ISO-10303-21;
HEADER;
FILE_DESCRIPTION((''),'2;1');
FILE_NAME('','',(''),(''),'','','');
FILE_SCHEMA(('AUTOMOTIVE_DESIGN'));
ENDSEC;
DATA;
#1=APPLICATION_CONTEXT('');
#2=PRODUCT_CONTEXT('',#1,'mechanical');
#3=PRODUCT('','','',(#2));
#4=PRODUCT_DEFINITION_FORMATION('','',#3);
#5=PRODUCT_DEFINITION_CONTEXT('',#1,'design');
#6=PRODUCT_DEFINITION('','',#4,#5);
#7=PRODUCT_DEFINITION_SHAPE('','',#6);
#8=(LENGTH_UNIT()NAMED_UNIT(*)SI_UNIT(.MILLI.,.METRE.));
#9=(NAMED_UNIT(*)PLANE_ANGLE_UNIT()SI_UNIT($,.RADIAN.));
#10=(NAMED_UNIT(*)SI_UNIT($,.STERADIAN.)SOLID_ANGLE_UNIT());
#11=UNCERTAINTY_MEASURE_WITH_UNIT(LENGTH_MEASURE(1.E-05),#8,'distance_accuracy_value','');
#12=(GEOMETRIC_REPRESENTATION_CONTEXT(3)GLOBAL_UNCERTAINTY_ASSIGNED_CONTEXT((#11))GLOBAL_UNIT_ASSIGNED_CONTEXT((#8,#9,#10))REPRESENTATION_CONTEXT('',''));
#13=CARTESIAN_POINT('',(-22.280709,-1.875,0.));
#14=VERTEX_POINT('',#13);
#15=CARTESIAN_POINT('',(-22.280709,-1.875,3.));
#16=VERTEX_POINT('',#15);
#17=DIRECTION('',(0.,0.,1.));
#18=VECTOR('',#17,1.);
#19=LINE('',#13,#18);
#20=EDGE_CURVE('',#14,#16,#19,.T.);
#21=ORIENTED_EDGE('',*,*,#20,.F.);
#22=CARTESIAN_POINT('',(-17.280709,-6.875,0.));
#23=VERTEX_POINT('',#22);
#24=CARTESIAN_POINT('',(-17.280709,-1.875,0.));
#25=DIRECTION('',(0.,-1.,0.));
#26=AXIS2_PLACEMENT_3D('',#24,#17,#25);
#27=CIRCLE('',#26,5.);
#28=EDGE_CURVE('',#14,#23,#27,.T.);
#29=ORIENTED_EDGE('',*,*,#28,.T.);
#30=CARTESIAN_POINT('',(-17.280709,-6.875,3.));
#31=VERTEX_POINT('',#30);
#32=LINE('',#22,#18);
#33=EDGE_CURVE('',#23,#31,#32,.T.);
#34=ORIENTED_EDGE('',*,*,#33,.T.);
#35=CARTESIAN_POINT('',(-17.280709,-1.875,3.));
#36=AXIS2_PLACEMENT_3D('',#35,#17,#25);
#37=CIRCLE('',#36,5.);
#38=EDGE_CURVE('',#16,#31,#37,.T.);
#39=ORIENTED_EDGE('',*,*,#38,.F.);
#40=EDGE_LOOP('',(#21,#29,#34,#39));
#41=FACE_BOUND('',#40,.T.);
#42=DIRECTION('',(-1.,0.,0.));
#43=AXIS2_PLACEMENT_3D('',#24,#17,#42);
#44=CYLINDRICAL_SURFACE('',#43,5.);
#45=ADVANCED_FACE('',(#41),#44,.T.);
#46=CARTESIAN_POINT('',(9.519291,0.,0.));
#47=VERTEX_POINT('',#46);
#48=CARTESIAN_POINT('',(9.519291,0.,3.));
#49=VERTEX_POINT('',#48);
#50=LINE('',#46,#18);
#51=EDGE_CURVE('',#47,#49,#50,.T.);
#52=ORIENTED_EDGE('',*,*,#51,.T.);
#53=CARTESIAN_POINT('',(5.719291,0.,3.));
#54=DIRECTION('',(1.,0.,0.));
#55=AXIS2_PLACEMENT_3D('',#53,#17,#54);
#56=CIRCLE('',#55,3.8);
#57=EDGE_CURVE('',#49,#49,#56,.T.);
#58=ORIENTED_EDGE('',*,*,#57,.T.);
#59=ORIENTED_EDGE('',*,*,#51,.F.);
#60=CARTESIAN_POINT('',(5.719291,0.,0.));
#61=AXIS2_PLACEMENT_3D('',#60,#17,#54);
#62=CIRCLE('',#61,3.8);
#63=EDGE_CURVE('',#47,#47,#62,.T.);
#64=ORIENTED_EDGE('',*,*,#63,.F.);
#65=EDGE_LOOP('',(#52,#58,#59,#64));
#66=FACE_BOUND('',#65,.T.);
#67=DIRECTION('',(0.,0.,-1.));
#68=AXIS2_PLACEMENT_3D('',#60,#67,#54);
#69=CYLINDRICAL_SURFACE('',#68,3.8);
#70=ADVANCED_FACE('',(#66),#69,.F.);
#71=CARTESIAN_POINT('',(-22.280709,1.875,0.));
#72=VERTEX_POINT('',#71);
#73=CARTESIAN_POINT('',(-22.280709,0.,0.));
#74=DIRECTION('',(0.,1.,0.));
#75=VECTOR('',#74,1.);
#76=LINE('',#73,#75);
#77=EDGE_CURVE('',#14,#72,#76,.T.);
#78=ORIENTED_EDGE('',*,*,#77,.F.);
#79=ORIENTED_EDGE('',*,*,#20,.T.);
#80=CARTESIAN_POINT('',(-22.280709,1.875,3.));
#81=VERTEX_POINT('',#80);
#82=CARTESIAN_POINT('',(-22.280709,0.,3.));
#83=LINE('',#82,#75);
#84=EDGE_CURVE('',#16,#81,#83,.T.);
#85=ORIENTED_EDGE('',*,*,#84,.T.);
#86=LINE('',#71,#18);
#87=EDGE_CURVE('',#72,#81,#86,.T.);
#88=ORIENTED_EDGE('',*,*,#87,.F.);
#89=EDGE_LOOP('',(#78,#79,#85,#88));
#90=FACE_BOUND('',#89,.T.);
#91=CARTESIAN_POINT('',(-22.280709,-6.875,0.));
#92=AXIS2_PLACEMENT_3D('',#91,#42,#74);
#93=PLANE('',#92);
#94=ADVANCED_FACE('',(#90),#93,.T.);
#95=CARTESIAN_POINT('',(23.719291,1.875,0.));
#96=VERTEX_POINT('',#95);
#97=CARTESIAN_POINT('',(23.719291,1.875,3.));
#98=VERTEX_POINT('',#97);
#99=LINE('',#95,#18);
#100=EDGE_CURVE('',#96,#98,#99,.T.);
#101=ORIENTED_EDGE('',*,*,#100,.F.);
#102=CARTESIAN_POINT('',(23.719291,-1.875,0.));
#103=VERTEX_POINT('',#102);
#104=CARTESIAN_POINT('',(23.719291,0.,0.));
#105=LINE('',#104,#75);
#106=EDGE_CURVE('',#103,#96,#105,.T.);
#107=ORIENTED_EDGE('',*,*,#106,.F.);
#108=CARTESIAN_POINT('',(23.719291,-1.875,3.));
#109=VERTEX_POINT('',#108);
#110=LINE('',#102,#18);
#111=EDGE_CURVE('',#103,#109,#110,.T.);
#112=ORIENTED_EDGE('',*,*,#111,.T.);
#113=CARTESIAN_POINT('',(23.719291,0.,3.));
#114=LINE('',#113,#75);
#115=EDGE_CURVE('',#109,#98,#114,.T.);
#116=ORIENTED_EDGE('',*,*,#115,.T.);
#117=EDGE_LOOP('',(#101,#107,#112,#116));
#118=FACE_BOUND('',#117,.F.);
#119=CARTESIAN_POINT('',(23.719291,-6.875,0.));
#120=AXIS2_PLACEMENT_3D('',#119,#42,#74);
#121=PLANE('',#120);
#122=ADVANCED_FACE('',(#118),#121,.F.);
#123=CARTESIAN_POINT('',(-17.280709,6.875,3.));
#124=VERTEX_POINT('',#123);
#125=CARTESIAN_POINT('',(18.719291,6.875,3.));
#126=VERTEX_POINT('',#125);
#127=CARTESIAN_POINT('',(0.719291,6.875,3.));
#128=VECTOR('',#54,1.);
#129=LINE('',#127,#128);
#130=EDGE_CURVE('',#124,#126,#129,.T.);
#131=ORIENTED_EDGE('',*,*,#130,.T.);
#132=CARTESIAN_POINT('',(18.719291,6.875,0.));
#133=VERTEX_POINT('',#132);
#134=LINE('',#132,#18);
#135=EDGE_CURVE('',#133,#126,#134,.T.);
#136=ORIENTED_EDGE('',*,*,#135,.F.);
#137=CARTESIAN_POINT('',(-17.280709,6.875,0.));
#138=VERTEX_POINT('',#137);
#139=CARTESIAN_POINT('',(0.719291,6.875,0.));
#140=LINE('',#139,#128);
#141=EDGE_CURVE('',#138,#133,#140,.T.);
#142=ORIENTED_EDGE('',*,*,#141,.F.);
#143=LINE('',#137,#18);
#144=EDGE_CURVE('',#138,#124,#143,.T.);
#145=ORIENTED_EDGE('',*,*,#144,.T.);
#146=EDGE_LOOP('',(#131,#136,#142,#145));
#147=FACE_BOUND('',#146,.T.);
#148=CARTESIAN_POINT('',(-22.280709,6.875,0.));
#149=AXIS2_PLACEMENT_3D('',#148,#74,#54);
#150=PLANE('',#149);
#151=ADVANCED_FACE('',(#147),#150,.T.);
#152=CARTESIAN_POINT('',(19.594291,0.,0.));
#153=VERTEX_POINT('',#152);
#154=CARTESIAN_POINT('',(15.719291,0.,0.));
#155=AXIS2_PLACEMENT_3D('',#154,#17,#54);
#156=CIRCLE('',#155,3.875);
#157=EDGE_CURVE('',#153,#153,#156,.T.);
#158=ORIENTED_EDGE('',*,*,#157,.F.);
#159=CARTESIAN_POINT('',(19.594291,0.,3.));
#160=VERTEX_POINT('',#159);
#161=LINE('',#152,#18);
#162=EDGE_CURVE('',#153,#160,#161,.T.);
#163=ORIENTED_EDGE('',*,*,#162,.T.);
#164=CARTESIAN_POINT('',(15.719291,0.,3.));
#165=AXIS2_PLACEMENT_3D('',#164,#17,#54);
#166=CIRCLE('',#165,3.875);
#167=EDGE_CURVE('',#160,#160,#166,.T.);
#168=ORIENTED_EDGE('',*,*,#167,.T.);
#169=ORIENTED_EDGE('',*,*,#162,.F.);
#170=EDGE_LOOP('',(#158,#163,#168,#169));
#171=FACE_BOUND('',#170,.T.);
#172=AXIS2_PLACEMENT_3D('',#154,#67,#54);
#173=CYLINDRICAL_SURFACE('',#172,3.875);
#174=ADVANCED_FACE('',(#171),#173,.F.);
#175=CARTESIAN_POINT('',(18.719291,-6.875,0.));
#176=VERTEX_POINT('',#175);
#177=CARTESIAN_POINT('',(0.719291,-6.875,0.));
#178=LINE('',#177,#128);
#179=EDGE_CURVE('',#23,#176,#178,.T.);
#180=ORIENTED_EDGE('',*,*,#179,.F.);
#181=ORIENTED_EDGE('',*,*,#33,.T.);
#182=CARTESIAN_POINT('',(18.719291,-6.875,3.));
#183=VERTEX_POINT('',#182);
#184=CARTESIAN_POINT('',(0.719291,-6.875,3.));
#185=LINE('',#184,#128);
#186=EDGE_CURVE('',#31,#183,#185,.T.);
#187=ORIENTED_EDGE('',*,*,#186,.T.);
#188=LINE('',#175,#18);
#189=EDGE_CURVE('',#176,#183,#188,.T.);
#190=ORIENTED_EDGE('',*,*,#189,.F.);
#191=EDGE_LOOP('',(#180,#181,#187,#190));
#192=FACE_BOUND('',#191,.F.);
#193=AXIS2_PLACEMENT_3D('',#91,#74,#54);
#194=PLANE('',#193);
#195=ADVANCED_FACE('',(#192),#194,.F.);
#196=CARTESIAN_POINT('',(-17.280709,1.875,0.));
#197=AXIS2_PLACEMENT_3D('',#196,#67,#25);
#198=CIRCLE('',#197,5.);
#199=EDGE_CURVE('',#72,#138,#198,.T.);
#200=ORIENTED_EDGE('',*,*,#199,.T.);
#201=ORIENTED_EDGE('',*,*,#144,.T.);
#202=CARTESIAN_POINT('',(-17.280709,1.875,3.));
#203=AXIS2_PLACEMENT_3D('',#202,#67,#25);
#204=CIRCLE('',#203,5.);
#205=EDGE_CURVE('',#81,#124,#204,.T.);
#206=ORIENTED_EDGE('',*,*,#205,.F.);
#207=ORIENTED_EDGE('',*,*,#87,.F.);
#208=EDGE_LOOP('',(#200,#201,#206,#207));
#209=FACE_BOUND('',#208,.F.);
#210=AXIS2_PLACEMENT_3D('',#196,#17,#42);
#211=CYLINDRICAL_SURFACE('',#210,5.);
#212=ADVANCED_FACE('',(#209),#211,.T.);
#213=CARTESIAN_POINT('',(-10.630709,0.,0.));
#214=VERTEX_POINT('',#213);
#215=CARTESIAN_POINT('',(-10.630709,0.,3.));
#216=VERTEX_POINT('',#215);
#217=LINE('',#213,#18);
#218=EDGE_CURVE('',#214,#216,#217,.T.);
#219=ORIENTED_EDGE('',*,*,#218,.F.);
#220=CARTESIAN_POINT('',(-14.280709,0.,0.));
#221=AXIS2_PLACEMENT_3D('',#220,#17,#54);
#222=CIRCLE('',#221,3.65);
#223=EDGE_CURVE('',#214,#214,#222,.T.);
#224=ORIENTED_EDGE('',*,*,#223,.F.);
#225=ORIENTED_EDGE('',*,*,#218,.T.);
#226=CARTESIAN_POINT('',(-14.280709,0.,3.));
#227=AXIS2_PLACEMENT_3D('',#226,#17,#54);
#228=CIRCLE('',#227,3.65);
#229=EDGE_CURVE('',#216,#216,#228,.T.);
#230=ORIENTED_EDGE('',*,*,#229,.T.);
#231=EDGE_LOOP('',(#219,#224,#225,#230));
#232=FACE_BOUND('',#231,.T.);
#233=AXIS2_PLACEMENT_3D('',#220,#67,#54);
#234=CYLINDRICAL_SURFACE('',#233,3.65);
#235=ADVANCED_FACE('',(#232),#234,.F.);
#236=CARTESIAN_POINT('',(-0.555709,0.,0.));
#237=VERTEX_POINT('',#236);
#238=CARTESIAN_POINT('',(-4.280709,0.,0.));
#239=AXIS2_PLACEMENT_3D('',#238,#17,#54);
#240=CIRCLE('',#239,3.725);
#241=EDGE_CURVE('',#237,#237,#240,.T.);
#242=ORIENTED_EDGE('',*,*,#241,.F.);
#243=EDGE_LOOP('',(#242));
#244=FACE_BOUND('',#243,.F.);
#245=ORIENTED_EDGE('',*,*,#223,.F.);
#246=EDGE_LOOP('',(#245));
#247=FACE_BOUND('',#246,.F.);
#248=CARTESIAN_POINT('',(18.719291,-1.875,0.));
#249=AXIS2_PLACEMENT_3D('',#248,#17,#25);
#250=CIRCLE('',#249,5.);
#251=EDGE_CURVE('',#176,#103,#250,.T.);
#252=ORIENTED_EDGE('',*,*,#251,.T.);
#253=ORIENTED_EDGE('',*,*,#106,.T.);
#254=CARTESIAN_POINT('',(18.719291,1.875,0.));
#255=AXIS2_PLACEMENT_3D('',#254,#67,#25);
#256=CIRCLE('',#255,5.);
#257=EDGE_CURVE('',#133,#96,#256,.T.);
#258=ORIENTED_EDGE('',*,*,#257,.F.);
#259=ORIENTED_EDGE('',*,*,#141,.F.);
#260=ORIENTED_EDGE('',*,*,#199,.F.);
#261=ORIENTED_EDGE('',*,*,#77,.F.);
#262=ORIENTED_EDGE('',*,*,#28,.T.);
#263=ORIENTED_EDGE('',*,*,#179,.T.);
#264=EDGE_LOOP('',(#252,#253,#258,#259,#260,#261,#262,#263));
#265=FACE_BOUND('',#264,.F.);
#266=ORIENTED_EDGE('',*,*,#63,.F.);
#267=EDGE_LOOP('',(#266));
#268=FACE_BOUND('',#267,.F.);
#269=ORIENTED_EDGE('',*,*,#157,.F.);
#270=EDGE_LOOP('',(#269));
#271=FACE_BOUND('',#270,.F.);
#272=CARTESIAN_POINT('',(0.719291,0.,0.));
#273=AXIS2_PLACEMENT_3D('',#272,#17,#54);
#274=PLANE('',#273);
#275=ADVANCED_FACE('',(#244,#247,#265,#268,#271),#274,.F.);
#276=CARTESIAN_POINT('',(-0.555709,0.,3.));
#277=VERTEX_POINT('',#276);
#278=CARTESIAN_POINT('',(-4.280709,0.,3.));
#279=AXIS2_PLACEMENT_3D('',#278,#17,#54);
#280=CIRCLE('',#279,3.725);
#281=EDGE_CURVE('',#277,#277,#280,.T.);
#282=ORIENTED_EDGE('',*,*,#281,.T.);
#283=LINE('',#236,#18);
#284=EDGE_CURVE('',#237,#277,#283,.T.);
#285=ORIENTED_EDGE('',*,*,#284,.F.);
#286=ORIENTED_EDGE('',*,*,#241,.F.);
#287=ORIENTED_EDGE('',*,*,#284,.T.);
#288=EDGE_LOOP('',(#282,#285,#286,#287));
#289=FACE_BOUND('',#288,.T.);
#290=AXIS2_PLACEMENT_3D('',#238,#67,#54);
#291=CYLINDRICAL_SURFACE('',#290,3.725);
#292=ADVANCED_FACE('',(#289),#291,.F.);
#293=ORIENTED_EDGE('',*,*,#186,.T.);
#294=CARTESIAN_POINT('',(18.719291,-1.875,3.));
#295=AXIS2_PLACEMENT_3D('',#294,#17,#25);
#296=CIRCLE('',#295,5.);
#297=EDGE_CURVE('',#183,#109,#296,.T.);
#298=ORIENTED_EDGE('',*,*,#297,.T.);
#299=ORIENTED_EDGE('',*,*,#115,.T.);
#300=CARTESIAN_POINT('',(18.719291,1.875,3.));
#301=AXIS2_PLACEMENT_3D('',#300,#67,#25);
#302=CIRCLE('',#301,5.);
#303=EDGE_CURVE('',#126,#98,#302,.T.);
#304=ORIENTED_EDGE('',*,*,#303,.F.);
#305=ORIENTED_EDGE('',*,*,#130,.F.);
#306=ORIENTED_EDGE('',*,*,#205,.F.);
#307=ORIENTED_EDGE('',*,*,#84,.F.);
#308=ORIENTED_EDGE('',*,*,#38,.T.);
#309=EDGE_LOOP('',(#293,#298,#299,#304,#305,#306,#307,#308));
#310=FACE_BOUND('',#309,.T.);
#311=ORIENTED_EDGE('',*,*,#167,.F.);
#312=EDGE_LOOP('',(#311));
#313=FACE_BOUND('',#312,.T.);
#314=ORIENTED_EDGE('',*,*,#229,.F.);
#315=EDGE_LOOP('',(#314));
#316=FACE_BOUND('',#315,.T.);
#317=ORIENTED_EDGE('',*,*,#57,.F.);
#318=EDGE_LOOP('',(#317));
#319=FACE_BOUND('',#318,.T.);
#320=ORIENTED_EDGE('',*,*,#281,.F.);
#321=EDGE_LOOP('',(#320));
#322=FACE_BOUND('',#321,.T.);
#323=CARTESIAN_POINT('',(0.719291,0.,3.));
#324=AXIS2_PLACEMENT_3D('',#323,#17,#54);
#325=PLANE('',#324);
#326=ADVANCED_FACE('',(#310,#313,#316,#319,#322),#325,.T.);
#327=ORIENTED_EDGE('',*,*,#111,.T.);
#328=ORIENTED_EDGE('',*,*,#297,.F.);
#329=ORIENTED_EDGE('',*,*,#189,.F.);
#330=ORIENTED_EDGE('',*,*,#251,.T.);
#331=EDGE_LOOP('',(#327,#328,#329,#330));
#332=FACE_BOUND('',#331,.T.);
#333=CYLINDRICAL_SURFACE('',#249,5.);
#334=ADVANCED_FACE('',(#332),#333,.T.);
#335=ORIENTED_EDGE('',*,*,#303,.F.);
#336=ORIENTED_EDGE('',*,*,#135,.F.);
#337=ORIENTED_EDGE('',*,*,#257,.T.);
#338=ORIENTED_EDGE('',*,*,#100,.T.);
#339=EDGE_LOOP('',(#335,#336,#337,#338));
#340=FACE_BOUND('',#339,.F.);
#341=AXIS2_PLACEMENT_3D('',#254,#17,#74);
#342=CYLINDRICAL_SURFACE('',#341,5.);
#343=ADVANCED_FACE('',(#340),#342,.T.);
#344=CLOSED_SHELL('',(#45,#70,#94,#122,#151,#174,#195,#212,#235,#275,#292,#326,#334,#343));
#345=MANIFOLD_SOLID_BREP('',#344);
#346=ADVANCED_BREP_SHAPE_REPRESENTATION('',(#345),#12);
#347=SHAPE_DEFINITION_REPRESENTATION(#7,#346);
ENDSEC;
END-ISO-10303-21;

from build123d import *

# Parameters (mm, degrees)
F0_W     = 46
F0_H     = 13.75
F0_R     = 3.65
F0_R_2   = 3.725
F0_R_3   = 3.8
F0_R_4   = 3.875
F1_DEPTH = 3
F2_R     = 5


with BuildPart() as f1:
    # F0 (on Top) → F1 (new body)
    with BuildSketch(Plane.XY):
        with Locations((0.719291, 0)):
            Rectangle(F0_W, F0_H)
        with Locations((-14.280709, 0)):
            Circle(F0_R, mode=Mode.SUBTRACT)
        with Locations((-4.280709, 0)):
            Circle(F0_R_2, mode=Mode.SUBTRACT)
        with Locations((5.719291, 0)):
            Circle(F0_R_3, mode=Mode.SUBTRACT)
        with Locations((15.719291, 0)):
            Circle(F0_R_4, mode=Mode.SUBTRACT)
    extrude(amount=F1_DEPTH)

    # F2
    f2_edges = [f1.edges().sort_by_distance(p)[0] for p in [
        (-22.280709, 6.875, 1.5),
        (-22.280709, -6.875, 1.5),
        (23.719291, -6.875, 1.5),
        (23.719291, 6.875, 1.5),
    ]]
    fillet(f2_edges, radius=F2_R)


solid = f1.part
